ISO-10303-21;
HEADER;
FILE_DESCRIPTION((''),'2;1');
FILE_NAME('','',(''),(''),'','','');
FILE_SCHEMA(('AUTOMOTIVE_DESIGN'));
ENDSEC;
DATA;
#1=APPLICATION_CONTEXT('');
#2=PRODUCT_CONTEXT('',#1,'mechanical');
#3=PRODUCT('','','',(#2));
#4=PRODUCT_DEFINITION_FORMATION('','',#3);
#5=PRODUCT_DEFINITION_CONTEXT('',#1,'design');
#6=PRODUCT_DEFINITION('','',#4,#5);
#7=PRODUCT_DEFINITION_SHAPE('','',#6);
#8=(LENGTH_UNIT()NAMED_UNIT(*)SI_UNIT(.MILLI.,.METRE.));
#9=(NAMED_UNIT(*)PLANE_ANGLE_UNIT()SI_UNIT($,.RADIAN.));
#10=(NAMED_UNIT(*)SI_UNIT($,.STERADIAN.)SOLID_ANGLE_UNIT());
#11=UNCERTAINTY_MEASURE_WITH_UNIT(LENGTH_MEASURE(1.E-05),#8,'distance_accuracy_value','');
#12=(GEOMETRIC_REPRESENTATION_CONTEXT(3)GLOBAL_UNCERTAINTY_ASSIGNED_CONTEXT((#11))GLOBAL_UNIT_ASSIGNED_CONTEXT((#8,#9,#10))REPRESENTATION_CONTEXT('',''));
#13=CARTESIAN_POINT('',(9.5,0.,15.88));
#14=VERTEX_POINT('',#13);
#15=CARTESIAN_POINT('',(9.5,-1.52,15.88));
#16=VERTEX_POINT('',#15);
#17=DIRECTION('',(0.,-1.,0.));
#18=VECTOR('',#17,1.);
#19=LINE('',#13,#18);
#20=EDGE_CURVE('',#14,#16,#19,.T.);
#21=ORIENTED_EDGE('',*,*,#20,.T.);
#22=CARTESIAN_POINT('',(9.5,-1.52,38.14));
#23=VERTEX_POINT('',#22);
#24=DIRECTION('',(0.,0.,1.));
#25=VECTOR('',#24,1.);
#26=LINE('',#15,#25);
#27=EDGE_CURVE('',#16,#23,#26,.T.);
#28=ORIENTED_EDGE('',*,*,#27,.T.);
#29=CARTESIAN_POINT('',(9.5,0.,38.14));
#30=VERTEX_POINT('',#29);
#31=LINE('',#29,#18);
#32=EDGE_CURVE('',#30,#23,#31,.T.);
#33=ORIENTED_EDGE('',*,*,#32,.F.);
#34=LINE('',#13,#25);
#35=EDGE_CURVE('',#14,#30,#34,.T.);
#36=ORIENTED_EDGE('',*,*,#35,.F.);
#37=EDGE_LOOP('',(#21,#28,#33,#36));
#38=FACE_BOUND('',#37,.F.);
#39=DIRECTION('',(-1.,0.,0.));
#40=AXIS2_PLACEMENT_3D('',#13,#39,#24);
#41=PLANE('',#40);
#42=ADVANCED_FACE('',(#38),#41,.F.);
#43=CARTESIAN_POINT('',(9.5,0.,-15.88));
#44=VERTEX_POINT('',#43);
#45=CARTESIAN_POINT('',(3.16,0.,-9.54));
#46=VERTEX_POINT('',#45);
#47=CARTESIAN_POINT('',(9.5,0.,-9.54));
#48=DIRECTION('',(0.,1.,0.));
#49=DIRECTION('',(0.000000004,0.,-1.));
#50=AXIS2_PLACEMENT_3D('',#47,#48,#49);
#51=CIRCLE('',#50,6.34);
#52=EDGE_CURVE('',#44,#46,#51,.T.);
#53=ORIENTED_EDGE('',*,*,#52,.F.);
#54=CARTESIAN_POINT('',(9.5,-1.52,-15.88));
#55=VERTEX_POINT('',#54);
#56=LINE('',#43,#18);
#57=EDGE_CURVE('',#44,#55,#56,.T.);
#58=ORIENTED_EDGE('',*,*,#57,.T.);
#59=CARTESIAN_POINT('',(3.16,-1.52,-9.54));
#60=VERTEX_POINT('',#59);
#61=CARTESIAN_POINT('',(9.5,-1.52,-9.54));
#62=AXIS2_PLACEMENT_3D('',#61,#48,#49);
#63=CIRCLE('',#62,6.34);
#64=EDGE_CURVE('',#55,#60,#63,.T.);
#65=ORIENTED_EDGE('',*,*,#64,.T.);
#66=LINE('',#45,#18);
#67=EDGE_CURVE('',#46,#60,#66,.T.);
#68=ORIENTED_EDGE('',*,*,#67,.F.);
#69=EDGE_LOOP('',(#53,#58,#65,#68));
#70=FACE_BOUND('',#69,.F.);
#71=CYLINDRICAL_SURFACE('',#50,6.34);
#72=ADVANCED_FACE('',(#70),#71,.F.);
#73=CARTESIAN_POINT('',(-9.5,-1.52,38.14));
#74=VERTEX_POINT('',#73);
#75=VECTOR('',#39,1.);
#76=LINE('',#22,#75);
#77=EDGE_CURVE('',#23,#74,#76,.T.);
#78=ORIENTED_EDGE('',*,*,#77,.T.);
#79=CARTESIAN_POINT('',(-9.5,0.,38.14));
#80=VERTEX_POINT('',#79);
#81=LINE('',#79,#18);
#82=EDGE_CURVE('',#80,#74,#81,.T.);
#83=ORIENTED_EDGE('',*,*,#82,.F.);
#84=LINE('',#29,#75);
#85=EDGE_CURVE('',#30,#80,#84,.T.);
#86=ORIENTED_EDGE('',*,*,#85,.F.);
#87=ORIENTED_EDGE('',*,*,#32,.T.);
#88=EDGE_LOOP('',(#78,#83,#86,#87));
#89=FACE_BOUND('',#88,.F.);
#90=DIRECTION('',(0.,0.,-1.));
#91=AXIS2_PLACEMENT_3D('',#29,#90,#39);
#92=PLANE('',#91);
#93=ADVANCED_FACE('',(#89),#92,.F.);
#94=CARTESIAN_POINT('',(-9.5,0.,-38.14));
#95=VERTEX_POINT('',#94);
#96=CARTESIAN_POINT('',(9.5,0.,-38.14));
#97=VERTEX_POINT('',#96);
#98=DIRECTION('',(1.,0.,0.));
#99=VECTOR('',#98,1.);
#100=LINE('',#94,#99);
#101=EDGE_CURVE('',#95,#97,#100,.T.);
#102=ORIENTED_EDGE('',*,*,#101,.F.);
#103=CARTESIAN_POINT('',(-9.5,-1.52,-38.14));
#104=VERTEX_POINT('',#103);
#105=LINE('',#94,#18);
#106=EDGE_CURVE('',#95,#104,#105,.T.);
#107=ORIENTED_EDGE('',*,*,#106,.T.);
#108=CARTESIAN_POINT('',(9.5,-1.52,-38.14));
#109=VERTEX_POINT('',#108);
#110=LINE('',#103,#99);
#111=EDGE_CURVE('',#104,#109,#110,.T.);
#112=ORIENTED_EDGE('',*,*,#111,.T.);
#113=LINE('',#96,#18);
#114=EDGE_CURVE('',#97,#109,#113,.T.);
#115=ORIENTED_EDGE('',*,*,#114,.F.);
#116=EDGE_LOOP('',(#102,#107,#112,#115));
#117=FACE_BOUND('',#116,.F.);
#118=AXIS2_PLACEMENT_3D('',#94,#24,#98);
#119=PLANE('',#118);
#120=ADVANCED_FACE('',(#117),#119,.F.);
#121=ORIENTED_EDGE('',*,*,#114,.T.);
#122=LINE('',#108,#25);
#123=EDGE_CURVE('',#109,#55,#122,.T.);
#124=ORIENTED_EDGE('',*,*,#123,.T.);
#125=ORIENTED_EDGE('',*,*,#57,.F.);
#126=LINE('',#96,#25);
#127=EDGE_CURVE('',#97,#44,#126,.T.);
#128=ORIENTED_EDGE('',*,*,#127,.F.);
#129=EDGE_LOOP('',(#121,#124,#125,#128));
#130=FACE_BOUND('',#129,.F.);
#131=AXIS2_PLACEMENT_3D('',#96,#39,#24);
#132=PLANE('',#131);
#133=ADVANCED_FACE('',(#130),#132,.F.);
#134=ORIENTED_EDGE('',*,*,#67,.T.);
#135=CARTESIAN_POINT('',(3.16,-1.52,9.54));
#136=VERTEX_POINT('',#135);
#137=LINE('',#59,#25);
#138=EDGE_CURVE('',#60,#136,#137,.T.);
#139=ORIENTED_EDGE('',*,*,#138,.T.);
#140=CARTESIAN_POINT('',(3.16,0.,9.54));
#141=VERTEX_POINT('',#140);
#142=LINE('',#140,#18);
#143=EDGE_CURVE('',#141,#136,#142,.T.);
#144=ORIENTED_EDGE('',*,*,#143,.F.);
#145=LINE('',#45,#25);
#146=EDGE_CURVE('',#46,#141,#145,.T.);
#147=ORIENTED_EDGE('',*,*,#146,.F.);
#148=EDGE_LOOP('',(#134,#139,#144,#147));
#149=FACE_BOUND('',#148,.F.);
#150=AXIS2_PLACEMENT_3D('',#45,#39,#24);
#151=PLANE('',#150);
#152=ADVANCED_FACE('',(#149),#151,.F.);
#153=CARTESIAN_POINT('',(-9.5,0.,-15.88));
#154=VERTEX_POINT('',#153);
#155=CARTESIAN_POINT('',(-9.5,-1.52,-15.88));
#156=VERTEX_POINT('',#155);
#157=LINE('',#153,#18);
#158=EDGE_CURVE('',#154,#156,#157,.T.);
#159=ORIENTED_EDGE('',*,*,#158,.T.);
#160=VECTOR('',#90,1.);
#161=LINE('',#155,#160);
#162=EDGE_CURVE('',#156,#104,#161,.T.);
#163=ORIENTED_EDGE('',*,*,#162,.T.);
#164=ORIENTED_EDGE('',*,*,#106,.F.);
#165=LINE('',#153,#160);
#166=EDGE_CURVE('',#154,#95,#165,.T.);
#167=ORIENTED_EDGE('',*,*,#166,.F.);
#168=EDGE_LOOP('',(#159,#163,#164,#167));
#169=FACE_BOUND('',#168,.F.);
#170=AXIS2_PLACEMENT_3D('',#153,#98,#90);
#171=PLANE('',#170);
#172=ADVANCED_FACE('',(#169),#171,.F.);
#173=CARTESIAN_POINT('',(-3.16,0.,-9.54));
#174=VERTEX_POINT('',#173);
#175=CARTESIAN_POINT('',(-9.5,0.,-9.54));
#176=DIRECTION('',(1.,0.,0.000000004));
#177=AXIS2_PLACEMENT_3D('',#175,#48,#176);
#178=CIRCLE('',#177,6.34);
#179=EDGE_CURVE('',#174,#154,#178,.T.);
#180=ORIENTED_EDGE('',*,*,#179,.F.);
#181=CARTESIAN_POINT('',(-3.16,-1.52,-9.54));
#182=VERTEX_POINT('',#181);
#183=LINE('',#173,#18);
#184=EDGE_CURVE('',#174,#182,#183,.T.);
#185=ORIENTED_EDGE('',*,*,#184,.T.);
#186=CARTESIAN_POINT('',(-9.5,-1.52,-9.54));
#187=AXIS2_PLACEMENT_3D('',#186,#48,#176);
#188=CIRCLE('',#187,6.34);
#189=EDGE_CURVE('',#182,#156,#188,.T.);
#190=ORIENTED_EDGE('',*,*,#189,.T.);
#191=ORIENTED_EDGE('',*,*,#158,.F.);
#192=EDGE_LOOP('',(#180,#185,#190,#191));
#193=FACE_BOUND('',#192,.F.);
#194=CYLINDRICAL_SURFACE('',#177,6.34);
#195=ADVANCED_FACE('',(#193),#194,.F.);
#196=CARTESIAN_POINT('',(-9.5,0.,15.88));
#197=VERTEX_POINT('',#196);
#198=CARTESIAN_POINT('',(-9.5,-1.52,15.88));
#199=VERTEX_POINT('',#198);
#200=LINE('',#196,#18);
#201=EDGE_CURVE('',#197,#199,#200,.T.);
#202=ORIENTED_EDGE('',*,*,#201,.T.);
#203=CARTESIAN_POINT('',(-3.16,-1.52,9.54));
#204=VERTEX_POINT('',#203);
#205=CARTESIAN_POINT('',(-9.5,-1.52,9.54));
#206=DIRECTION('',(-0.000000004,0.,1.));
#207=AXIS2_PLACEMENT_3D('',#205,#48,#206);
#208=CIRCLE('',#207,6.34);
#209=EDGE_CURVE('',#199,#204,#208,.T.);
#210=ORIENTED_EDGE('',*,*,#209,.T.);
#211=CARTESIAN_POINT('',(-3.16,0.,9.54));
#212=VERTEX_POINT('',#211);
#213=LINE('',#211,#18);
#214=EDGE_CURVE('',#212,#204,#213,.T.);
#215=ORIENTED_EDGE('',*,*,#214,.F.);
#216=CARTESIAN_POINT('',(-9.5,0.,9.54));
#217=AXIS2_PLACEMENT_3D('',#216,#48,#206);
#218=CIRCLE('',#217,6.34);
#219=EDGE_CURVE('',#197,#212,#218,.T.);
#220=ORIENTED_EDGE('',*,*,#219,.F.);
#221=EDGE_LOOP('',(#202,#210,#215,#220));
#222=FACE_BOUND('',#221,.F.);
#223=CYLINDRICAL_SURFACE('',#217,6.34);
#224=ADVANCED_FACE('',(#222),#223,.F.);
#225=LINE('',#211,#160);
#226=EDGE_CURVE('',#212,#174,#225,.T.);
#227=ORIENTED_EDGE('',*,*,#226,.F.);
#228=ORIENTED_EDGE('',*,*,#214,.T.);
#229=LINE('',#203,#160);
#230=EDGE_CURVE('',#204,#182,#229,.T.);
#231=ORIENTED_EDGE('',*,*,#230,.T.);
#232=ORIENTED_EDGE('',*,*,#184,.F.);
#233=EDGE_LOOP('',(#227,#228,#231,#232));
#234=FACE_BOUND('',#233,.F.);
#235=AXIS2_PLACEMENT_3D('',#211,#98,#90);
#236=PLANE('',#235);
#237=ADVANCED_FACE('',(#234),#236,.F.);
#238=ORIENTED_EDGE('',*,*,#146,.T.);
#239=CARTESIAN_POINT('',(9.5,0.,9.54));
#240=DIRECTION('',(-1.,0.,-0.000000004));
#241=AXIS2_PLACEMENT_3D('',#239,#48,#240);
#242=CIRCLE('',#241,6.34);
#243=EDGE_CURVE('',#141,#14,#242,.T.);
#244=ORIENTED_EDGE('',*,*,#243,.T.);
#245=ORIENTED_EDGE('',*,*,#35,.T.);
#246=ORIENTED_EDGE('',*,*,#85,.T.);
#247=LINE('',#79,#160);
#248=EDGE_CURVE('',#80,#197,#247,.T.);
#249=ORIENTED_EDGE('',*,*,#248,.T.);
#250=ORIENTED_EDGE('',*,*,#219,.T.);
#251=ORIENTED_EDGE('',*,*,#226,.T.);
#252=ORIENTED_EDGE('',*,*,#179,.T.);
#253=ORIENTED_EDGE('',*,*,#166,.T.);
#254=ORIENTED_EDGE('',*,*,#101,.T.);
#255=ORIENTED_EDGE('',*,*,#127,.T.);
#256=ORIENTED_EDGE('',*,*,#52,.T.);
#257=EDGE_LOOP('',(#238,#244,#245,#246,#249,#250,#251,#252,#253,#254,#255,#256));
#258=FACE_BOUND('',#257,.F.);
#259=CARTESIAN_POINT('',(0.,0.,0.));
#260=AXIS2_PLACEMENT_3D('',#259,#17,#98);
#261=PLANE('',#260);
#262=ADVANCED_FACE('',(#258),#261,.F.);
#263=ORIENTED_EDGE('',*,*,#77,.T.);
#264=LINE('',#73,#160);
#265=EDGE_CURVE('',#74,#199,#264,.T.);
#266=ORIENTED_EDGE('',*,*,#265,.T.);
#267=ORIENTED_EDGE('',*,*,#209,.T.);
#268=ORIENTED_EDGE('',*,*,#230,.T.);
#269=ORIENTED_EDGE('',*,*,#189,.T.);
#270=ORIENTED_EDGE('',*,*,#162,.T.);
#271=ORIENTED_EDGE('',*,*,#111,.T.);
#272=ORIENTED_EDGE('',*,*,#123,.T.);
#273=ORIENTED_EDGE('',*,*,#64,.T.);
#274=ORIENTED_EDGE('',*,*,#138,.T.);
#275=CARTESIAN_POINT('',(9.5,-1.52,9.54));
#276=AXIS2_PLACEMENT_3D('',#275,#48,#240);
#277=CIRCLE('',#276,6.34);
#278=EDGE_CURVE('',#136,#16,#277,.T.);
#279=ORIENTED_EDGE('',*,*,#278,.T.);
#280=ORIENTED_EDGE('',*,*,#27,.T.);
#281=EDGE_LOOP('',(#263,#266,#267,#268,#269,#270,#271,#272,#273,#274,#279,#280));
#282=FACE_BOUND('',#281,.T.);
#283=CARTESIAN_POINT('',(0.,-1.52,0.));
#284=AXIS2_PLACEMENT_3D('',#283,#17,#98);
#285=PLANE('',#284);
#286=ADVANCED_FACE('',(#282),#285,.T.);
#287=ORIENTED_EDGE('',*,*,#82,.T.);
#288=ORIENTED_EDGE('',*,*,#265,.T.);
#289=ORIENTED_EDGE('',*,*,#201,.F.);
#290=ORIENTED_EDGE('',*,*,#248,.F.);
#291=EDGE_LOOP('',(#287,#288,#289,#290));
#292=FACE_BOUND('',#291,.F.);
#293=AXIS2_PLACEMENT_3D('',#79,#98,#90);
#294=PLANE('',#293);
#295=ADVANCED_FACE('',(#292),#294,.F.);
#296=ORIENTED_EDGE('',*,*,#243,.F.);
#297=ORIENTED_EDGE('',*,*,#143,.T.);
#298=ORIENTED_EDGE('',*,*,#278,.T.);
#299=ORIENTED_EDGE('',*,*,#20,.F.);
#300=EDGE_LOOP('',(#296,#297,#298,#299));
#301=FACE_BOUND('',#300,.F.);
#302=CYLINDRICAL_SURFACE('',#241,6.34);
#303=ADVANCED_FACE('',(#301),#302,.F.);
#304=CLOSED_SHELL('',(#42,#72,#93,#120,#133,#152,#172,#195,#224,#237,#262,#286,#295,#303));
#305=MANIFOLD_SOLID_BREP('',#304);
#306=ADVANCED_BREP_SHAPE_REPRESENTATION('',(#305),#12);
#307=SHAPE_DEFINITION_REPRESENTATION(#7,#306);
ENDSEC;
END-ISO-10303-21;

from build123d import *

# Parameters (mm, degrees)
F1_DEPTH = 1.52


with BuildPart() as f1:
    # F0 (on Front) → F1 (new body)
    with BuildSketch(Plane.XZ):
        with BuildLine():
            Line((-3.16, 9.54), (-3.16, 0))
            Line((-3.16, 0), (-3.16, -9.54))
            ThreePointArc((-3.16, -9.54), (-5.016943, -14.023057), (-9.5, -15.88))
            Line((-9.5, -15.88), (-9.5, -38.14))
            Line((-9.5, -38.14), (9.5, -38.14))
            Line((9.5, -38.14), (9.5, -15.88))
            ThreePointArc((9.5, -15.88), (5.016943, -14.023057), (3.16, -9.54))
            Line((3.16, -9.54), (3.16, 0))
            Line((3.16, 0), (3.16, 9.54))
            ThreePointArc((3.16, 9.54), (5.016943, 14.023057), (9.5, 15.88))
            Line((9.5, 15.88), (9.5, 38.14))
            Line((9.5, 38.14), (-9.5, 38.14))
            Line((-9.5, 38.14), (-9.5, 15.88))
            ThreePointArc((-9.5, 15.88), (-5.016943, 14.023057), (-3.16, 9.54))
        make_face()
    extrude(amount=F1_DEPTH)


solid = f1.part
